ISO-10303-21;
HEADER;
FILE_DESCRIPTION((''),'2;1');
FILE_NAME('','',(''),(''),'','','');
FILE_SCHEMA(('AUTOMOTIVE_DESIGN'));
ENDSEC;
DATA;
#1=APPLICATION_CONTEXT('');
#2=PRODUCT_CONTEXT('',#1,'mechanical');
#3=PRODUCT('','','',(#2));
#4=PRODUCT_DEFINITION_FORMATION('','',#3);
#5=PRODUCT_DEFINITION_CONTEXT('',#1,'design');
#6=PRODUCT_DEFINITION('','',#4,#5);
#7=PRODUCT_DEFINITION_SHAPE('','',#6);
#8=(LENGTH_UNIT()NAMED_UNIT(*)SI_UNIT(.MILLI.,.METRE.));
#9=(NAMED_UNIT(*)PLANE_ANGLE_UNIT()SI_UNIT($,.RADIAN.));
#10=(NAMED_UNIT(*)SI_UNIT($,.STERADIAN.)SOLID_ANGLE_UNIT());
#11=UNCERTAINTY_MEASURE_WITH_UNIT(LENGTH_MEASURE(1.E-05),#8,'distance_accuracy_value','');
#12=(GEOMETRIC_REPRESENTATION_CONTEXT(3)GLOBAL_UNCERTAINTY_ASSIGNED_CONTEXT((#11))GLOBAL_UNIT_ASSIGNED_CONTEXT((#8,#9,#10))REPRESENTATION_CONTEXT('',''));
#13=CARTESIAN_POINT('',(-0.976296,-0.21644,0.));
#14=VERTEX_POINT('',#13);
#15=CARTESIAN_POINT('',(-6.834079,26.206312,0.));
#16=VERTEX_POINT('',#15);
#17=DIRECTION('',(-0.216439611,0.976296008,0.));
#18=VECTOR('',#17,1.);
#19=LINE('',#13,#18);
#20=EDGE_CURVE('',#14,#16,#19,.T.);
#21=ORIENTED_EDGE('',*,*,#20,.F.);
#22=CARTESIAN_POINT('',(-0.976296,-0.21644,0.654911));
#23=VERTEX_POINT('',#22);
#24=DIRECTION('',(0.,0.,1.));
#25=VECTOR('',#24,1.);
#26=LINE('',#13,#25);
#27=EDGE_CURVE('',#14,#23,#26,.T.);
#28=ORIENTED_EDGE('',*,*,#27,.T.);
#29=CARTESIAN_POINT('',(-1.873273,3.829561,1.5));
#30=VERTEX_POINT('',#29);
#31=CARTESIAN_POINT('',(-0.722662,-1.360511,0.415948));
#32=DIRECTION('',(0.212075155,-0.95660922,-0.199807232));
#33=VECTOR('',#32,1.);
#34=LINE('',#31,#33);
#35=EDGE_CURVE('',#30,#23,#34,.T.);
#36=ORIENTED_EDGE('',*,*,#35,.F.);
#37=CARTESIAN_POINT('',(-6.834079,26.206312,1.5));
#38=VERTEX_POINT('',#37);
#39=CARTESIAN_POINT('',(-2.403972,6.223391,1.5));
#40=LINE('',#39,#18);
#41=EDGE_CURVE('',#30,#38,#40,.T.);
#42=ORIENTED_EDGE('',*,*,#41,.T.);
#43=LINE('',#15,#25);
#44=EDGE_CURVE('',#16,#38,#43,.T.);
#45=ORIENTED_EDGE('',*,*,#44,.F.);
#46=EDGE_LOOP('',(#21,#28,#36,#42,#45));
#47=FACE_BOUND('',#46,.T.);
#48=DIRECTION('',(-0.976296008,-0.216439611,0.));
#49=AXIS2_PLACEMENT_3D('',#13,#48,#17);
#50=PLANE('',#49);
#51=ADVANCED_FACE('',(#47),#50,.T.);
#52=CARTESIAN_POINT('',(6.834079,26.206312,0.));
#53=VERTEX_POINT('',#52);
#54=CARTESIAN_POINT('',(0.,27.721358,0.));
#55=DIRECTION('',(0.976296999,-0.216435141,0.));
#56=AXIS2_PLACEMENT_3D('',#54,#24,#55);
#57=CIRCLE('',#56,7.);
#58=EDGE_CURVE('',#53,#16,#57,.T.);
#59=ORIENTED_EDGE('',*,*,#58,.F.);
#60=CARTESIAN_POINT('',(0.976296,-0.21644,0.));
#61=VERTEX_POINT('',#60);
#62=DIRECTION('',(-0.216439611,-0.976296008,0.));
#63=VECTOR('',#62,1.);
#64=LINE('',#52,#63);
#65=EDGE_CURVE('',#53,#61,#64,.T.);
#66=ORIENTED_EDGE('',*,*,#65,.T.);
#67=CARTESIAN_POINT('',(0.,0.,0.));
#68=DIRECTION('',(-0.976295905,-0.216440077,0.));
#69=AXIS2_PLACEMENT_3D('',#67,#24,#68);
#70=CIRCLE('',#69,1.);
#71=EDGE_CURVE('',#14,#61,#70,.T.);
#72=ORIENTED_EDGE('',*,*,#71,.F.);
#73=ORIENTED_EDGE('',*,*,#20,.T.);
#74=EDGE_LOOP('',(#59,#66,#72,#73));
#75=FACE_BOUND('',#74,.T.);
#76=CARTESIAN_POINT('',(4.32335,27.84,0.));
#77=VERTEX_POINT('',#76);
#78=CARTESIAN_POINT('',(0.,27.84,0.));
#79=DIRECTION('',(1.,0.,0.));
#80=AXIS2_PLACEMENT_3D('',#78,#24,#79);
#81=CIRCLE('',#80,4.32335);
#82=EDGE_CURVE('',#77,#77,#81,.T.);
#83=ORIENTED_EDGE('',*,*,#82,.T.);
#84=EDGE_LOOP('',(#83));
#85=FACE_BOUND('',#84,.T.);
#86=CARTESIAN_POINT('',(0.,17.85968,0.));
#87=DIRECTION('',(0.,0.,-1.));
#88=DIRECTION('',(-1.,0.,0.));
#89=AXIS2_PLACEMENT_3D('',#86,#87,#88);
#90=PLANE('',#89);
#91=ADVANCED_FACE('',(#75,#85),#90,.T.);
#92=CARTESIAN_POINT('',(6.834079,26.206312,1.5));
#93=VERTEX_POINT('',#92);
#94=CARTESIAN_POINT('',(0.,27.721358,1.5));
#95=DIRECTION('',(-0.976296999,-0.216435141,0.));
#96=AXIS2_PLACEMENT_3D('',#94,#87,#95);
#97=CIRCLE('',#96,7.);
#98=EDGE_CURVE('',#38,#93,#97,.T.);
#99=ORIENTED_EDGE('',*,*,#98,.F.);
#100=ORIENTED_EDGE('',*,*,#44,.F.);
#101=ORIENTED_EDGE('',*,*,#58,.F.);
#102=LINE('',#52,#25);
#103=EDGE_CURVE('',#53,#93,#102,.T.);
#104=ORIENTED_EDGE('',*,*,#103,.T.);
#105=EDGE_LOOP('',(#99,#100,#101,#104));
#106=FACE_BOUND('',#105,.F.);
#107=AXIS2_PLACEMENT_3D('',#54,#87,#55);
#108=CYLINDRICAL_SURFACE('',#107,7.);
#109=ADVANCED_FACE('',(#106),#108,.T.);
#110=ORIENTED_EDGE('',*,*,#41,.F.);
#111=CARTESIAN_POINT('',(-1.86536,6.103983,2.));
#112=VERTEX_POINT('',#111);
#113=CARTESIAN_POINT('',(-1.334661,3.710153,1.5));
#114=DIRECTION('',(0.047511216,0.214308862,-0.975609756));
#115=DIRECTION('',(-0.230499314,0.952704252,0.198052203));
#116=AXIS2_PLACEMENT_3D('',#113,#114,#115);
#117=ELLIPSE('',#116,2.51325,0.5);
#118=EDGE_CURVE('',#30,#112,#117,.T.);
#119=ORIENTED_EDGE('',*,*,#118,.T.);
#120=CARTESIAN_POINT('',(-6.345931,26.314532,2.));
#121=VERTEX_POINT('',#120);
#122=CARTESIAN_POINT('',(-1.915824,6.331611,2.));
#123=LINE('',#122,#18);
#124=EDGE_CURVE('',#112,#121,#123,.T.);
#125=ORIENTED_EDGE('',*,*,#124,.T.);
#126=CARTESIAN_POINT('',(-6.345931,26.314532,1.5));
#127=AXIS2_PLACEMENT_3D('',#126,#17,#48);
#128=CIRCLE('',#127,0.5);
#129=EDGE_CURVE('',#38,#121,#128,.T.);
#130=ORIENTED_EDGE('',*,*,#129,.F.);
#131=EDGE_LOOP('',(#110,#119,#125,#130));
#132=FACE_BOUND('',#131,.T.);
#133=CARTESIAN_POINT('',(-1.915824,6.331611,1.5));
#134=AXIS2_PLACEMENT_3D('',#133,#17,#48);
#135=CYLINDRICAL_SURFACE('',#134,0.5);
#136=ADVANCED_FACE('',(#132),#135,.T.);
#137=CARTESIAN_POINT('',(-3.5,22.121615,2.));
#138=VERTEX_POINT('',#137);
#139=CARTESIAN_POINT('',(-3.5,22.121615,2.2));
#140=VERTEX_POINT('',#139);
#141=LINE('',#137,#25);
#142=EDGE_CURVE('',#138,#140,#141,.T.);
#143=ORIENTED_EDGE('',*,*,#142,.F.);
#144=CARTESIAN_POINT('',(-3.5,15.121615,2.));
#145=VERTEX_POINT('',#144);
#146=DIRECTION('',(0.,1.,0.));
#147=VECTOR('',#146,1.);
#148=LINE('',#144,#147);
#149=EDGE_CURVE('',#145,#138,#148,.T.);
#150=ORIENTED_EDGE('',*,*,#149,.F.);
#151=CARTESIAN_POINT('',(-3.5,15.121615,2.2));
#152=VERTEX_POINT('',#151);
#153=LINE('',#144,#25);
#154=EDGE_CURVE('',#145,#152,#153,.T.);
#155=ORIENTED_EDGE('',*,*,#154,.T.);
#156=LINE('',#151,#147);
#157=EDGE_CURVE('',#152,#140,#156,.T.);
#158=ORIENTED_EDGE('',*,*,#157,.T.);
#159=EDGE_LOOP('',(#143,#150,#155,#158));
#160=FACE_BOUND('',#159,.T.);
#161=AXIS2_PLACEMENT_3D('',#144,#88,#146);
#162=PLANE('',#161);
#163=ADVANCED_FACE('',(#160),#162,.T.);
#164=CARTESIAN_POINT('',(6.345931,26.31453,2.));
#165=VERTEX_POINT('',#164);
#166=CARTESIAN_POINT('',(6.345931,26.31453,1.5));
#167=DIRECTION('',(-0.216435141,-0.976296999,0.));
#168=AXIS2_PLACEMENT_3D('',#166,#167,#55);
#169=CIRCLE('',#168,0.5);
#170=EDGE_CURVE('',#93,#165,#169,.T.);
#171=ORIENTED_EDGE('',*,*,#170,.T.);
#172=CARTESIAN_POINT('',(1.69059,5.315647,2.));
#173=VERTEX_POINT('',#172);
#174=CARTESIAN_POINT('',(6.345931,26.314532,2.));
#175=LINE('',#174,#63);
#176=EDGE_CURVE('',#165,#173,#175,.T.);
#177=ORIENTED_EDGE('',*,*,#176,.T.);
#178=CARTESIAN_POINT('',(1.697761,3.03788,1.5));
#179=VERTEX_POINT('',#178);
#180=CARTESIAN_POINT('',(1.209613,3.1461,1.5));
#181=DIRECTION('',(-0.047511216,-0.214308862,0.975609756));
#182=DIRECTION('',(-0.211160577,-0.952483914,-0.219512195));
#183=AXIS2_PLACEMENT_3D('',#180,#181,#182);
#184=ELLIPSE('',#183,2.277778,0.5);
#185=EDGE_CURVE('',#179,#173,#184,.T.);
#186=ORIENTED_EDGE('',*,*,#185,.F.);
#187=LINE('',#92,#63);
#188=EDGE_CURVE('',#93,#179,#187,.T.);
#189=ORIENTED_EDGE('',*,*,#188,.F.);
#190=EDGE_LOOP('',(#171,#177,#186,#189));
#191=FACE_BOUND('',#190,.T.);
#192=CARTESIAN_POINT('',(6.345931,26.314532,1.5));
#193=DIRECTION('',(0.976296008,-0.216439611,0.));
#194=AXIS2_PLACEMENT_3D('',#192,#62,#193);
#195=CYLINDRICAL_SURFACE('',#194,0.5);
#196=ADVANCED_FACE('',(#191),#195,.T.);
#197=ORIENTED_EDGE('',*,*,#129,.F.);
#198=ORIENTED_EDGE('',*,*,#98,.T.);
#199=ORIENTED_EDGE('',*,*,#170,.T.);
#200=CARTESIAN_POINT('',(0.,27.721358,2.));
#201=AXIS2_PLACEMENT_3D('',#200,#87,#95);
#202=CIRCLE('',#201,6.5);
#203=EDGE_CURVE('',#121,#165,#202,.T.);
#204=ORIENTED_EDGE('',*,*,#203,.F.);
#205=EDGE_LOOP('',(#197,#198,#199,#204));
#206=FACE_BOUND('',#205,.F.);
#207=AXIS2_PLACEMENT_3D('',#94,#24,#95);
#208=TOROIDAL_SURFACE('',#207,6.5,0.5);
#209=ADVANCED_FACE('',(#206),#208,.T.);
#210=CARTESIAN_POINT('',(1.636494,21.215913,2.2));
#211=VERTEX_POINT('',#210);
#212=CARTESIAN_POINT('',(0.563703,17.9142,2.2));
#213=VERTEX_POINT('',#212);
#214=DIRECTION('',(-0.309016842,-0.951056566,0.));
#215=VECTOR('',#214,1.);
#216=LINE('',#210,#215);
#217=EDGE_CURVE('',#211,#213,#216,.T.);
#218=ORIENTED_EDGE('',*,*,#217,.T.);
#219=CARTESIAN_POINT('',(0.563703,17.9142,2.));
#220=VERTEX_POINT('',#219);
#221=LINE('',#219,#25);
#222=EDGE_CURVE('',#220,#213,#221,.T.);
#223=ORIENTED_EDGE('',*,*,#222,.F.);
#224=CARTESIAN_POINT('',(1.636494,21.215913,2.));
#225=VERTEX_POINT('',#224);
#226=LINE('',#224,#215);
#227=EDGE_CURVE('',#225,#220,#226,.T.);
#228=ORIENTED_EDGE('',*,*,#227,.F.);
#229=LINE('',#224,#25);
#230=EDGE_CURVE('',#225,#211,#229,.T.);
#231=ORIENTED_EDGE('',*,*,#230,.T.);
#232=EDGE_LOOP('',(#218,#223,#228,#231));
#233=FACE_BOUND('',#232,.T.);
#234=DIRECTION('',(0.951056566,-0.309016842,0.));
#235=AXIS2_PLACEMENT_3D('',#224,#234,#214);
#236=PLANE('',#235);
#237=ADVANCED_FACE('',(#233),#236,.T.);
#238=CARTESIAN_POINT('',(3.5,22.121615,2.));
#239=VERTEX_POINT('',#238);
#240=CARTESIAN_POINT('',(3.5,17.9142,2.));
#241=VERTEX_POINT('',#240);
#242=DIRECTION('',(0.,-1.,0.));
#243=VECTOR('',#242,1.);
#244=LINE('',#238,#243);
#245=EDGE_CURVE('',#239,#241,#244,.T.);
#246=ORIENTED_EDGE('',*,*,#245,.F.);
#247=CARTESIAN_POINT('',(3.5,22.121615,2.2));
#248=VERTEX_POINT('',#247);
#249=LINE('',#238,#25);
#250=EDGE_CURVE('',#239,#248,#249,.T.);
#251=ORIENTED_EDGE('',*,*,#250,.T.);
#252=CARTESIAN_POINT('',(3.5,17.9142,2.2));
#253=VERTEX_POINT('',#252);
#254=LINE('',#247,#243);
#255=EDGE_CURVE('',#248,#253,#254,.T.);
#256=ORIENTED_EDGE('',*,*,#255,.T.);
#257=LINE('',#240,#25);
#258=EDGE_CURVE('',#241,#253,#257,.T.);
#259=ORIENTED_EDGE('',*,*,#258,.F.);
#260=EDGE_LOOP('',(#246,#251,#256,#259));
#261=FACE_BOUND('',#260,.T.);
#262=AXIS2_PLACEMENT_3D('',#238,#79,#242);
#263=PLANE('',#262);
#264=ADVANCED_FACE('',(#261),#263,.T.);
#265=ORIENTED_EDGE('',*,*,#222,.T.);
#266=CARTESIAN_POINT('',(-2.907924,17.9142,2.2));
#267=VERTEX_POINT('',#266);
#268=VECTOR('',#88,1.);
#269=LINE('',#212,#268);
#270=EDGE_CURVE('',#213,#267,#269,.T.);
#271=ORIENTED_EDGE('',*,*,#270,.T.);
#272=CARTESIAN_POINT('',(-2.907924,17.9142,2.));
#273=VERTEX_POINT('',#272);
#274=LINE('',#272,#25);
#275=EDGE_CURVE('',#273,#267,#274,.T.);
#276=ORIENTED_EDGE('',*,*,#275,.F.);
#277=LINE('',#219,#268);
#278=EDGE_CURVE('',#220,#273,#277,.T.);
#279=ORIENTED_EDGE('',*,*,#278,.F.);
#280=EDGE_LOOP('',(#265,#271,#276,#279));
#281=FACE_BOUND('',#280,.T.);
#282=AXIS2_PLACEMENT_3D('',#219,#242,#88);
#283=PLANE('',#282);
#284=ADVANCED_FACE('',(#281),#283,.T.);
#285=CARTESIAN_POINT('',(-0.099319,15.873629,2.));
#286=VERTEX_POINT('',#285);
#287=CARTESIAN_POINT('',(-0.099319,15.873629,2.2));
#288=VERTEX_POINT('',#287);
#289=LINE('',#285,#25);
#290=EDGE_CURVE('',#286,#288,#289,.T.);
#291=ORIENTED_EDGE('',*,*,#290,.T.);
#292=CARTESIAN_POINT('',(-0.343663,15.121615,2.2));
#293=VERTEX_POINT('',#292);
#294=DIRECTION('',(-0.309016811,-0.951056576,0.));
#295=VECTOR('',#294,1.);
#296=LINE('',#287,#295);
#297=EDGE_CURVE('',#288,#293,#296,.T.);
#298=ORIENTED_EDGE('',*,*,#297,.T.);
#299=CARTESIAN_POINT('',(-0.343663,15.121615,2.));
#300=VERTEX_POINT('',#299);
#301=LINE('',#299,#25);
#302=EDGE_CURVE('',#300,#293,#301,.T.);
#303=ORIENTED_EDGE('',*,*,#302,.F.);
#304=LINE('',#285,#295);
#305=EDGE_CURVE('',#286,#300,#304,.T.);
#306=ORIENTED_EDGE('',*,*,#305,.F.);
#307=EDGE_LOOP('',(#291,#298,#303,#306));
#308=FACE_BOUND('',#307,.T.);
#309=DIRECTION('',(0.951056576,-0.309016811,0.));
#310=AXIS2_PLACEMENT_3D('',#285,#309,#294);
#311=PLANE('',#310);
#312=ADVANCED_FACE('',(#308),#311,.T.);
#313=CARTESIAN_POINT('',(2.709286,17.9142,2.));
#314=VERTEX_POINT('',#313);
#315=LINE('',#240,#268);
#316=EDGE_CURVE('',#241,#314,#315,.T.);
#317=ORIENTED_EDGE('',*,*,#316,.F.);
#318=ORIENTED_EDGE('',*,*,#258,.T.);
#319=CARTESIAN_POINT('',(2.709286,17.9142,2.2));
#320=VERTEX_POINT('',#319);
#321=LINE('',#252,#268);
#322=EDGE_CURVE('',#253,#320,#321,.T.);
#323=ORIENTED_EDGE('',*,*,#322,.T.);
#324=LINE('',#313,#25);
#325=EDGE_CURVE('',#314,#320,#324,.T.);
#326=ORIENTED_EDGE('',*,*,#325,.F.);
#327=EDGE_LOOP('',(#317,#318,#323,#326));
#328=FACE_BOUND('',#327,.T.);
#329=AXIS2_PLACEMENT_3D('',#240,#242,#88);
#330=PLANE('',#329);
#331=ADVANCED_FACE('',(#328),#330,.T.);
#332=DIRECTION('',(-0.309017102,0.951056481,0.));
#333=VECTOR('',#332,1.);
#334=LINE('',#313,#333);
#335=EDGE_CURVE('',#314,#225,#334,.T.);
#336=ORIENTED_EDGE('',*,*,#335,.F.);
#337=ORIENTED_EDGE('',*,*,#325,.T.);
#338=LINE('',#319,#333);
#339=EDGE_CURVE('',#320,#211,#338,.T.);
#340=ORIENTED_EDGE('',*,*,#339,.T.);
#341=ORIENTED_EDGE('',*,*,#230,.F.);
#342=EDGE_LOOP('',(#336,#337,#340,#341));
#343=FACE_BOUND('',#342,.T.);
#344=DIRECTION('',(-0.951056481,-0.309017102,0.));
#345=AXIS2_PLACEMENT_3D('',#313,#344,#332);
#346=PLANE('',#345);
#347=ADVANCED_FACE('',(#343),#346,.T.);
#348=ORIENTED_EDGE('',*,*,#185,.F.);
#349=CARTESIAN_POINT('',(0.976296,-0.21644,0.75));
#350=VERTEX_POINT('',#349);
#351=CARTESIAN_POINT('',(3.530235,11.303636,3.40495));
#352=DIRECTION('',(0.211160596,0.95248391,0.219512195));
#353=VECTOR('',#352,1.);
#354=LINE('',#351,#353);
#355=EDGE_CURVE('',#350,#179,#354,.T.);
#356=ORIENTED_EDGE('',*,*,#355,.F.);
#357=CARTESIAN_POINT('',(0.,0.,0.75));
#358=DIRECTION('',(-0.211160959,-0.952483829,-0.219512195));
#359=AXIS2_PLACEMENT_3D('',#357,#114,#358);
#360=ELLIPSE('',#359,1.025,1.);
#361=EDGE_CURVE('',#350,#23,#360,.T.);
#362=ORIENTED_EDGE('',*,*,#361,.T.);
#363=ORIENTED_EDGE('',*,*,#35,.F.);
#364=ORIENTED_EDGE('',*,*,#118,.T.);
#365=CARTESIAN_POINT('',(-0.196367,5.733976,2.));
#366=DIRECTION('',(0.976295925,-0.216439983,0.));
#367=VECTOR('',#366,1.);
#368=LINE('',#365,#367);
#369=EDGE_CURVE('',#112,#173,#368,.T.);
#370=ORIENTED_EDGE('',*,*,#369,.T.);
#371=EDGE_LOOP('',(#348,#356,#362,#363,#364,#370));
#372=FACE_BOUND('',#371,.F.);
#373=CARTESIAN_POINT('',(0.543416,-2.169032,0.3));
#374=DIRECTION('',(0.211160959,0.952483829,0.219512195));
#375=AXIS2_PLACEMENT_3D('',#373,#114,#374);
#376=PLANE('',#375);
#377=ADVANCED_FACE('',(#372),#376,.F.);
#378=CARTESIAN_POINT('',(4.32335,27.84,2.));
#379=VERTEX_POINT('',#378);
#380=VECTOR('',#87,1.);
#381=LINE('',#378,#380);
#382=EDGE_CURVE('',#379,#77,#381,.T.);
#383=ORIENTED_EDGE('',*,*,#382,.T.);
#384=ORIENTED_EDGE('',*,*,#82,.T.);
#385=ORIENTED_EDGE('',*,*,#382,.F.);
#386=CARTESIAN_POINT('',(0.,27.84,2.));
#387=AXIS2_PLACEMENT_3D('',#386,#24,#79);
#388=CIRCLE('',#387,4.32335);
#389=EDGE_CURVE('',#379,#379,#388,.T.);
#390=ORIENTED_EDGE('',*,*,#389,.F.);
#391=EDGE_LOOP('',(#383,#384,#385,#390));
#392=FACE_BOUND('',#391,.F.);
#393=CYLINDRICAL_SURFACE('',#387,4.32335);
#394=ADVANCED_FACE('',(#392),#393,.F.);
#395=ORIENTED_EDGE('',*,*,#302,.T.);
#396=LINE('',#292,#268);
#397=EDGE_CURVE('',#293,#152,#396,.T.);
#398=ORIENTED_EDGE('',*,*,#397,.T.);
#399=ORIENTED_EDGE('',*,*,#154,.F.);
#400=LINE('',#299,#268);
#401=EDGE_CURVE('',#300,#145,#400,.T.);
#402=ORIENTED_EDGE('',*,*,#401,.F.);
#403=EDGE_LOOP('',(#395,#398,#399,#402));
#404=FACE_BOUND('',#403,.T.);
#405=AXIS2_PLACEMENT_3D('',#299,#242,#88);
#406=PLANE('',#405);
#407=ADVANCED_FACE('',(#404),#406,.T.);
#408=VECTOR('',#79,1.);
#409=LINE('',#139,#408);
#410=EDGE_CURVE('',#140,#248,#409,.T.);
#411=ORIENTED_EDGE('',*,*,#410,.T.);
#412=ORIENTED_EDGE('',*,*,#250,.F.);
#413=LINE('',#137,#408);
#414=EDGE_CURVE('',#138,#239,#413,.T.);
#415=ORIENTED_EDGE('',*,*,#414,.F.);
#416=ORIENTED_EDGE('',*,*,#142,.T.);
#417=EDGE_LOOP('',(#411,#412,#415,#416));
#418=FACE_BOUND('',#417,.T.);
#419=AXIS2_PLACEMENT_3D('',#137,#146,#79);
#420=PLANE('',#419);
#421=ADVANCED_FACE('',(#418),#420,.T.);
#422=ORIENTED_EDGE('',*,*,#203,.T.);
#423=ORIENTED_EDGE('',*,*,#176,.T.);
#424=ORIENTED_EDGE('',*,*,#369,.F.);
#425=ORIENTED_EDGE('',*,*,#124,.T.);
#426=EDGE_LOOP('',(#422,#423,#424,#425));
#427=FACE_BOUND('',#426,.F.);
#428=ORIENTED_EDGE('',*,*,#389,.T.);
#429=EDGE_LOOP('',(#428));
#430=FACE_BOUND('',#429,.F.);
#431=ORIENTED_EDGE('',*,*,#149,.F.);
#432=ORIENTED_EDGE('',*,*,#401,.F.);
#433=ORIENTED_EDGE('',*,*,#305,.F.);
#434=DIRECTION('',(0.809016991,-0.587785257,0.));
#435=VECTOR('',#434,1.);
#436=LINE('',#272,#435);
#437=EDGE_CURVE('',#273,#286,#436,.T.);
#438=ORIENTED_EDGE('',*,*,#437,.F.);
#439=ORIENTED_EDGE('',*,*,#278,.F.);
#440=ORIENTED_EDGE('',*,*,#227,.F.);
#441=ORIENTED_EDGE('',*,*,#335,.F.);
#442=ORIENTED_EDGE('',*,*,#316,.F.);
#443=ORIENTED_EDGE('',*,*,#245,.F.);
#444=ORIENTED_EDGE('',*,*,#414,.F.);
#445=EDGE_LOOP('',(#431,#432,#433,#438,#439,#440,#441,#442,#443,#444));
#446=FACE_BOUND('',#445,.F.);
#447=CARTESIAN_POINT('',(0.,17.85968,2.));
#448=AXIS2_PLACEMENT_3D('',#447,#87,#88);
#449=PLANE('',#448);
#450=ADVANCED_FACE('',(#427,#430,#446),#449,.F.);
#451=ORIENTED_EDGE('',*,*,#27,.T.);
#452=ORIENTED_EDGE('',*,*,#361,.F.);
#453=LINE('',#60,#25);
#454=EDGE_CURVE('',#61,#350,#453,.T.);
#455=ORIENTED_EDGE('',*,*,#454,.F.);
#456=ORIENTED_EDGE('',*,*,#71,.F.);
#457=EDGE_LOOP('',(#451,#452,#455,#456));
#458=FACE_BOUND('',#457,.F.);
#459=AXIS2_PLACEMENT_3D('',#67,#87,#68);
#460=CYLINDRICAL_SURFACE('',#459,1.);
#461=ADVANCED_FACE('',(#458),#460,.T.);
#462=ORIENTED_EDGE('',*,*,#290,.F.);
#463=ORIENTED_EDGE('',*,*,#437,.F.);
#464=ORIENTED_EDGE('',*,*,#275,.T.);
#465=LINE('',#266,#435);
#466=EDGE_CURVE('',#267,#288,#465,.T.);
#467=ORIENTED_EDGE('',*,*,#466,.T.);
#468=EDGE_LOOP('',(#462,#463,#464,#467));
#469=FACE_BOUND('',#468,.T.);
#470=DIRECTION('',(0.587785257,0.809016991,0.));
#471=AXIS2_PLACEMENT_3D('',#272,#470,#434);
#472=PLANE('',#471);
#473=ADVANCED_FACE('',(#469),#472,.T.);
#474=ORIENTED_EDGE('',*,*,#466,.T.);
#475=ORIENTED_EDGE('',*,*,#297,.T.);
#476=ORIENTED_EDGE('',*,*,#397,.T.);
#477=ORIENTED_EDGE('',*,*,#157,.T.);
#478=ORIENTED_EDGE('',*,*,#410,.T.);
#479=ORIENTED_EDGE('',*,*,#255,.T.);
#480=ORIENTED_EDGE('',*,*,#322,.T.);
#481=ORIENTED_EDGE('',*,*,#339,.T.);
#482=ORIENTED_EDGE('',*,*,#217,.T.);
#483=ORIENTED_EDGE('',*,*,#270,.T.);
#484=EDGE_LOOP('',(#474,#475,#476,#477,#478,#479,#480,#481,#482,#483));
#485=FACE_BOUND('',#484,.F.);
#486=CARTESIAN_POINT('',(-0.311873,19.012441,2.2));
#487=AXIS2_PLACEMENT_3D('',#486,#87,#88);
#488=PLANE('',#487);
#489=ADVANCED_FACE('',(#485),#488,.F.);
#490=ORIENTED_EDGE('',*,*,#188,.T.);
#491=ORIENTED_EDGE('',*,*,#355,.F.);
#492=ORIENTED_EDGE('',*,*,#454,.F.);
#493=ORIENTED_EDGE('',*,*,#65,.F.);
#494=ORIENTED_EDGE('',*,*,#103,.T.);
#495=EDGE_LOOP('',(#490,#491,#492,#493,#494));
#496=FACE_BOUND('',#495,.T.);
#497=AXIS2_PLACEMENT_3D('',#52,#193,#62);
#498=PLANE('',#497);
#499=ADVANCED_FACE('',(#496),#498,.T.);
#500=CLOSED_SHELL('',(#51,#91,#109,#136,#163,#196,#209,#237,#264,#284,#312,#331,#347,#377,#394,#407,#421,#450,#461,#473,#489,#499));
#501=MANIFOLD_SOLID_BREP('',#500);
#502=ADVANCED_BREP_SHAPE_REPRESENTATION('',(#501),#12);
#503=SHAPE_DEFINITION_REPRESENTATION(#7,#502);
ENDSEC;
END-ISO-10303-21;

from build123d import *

# Parameters (mm, degrees)
PAD_DEPTH       = 2
POCKET_DEPTH    = 5
SKETCH004_R     = 4.32335
POCKET001_DEPTH = 5
PAD001_DEPTH    = 0.2
FILLET_R        = 0.5


with BuildPart() as part:
    # Sketch → Pad (new body)
    with BuildSketch(Plane.XY):
        with BuildLine():
            Line((-0.976296, -0.21644), (-6.834079, 26.206312))
            ThreePointArc((6.834079, 26.206312), (0, 34.721358), (-6.834079, 26.206312))
            Line((6.834079, 26.206312), (0.976296, -0.21644))
            ThreePointArc((-0.976296, -0.21644), (0, -1), (0.976296, -0.21644))
        make_face()
    extrude(amount=PAD_DEPTH)

    # Sketch001 → Pocket (cut)
    with BuildSketch(Plane(origin=(0.976296, -0.21644, 0), x_dir=(0.21644, 0.976296, 0), z_dir=(0.976296, -0.21644, 0))):
        Polygon((-2, 0.3), (10, 3), (-2, 3), align=None)
    extrude(amount=-POCKET_DEPTH, mode=Mode.SUBTRACT)

    # Sketch004 → Pocket001 (cut)
    with BuildSketch(Plane.XY.offset(2)):
        with Locations((0, 27.84)):
            Circle(SKETCH004_R)
    extrude(amount=-POCKET001_DEPTH, mode=Mode.SUBTRACT)

    # Sketch005 → Pad001 (new body)
    with BuildSketch(Plane.XY.offset(2)):
        Polygon((-3.5, 22.121615), (3.5, 22.121615), (3.5, 17.9142), (2.709286, 17.9142), (1.636494, 21.215913), (0.563703, 17.9142), (-2.907924, 17.9142), (-0.099319, 15.873629), (-0.343663, 15.121615), (-3.5, 15.121615), align=None)
    extrude(amount=PAD001_DEPTH)

    # Fillet
    fillet_edges = [part.edges().sort_by_distance(p)[0] for p in [
        (-4.619025, 16.214851, 2),
    ]]
    fillet(fillet_edges, radius=FILLET_R)


solid = part.part
